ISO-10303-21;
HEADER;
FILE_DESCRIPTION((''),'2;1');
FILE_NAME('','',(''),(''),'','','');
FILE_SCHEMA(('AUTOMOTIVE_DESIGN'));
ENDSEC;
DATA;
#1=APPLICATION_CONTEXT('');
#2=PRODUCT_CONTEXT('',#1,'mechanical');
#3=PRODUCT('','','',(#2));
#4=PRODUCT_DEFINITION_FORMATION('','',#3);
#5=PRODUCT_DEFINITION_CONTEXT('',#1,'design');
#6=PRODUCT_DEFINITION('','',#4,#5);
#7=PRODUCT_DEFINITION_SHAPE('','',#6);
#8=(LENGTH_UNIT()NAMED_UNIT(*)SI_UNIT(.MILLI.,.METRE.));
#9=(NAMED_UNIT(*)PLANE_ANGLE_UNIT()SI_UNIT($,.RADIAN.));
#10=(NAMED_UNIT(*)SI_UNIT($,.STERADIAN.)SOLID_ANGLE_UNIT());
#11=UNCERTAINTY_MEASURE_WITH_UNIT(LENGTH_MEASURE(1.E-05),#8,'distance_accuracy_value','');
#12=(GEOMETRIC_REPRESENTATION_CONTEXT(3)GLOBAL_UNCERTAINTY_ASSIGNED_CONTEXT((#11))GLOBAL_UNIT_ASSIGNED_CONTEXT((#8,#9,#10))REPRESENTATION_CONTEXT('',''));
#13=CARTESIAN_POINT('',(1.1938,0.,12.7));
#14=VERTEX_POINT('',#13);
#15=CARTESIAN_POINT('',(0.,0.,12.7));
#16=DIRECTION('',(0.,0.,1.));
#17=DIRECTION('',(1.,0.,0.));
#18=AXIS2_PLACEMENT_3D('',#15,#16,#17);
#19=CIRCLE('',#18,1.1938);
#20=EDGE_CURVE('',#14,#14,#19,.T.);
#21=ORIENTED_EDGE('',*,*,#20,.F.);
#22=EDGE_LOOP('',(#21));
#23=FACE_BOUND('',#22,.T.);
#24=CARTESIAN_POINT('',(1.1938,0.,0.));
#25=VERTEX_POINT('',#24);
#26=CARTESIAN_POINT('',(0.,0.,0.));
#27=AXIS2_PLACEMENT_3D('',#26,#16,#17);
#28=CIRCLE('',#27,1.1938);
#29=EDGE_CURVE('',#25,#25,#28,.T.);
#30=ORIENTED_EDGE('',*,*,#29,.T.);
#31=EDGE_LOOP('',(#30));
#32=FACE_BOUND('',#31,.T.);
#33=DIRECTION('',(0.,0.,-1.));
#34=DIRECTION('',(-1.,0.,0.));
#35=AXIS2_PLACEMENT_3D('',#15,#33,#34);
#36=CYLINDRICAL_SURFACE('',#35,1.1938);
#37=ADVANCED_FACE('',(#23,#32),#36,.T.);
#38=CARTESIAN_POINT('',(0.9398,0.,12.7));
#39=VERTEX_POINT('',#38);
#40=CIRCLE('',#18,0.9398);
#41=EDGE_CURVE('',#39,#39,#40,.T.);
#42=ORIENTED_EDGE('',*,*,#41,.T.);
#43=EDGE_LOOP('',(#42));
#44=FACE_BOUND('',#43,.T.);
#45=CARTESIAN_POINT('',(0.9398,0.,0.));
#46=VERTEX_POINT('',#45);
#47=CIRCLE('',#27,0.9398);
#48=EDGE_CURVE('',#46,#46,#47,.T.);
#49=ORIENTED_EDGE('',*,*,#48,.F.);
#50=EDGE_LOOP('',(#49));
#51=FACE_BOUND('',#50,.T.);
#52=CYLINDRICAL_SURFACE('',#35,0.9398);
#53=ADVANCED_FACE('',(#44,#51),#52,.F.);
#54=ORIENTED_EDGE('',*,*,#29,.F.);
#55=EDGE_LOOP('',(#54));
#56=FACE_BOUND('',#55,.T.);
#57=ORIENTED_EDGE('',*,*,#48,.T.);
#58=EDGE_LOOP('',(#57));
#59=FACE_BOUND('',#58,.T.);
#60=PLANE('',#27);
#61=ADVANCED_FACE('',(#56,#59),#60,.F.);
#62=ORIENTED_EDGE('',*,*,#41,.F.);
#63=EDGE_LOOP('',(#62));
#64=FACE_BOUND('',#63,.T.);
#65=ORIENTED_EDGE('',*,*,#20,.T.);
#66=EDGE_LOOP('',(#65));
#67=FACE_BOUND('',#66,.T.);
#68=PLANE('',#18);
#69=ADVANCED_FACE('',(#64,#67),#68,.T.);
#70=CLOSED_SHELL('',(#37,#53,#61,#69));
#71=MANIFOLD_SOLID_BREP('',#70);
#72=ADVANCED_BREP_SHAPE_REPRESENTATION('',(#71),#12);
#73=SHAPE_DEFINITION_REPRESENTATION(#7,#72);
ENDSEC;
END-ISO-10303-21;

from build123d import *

# Parameters (mm, degrees)
PIPESKETCH_R   = 1.1938
PIPESKETCH_R_2 = 0.9398


with BuildPart() as part:
    # ThinSweep: sweep along a curve in space
    with BuildLine() as thinsweep_path:
        Line((0, 0, 0), (0, 0, 12.7))
    # PipeSketch → ThinSweep (sweep)
    with BuildSketch(Plane.XY):
        Circle(PIPESKETCH_R)
        Circle(PIPESKETCH_R_2, mode=Mode.SUBTRACT)
    sweep(path=thinsweep_path.line)


solid = part.part
